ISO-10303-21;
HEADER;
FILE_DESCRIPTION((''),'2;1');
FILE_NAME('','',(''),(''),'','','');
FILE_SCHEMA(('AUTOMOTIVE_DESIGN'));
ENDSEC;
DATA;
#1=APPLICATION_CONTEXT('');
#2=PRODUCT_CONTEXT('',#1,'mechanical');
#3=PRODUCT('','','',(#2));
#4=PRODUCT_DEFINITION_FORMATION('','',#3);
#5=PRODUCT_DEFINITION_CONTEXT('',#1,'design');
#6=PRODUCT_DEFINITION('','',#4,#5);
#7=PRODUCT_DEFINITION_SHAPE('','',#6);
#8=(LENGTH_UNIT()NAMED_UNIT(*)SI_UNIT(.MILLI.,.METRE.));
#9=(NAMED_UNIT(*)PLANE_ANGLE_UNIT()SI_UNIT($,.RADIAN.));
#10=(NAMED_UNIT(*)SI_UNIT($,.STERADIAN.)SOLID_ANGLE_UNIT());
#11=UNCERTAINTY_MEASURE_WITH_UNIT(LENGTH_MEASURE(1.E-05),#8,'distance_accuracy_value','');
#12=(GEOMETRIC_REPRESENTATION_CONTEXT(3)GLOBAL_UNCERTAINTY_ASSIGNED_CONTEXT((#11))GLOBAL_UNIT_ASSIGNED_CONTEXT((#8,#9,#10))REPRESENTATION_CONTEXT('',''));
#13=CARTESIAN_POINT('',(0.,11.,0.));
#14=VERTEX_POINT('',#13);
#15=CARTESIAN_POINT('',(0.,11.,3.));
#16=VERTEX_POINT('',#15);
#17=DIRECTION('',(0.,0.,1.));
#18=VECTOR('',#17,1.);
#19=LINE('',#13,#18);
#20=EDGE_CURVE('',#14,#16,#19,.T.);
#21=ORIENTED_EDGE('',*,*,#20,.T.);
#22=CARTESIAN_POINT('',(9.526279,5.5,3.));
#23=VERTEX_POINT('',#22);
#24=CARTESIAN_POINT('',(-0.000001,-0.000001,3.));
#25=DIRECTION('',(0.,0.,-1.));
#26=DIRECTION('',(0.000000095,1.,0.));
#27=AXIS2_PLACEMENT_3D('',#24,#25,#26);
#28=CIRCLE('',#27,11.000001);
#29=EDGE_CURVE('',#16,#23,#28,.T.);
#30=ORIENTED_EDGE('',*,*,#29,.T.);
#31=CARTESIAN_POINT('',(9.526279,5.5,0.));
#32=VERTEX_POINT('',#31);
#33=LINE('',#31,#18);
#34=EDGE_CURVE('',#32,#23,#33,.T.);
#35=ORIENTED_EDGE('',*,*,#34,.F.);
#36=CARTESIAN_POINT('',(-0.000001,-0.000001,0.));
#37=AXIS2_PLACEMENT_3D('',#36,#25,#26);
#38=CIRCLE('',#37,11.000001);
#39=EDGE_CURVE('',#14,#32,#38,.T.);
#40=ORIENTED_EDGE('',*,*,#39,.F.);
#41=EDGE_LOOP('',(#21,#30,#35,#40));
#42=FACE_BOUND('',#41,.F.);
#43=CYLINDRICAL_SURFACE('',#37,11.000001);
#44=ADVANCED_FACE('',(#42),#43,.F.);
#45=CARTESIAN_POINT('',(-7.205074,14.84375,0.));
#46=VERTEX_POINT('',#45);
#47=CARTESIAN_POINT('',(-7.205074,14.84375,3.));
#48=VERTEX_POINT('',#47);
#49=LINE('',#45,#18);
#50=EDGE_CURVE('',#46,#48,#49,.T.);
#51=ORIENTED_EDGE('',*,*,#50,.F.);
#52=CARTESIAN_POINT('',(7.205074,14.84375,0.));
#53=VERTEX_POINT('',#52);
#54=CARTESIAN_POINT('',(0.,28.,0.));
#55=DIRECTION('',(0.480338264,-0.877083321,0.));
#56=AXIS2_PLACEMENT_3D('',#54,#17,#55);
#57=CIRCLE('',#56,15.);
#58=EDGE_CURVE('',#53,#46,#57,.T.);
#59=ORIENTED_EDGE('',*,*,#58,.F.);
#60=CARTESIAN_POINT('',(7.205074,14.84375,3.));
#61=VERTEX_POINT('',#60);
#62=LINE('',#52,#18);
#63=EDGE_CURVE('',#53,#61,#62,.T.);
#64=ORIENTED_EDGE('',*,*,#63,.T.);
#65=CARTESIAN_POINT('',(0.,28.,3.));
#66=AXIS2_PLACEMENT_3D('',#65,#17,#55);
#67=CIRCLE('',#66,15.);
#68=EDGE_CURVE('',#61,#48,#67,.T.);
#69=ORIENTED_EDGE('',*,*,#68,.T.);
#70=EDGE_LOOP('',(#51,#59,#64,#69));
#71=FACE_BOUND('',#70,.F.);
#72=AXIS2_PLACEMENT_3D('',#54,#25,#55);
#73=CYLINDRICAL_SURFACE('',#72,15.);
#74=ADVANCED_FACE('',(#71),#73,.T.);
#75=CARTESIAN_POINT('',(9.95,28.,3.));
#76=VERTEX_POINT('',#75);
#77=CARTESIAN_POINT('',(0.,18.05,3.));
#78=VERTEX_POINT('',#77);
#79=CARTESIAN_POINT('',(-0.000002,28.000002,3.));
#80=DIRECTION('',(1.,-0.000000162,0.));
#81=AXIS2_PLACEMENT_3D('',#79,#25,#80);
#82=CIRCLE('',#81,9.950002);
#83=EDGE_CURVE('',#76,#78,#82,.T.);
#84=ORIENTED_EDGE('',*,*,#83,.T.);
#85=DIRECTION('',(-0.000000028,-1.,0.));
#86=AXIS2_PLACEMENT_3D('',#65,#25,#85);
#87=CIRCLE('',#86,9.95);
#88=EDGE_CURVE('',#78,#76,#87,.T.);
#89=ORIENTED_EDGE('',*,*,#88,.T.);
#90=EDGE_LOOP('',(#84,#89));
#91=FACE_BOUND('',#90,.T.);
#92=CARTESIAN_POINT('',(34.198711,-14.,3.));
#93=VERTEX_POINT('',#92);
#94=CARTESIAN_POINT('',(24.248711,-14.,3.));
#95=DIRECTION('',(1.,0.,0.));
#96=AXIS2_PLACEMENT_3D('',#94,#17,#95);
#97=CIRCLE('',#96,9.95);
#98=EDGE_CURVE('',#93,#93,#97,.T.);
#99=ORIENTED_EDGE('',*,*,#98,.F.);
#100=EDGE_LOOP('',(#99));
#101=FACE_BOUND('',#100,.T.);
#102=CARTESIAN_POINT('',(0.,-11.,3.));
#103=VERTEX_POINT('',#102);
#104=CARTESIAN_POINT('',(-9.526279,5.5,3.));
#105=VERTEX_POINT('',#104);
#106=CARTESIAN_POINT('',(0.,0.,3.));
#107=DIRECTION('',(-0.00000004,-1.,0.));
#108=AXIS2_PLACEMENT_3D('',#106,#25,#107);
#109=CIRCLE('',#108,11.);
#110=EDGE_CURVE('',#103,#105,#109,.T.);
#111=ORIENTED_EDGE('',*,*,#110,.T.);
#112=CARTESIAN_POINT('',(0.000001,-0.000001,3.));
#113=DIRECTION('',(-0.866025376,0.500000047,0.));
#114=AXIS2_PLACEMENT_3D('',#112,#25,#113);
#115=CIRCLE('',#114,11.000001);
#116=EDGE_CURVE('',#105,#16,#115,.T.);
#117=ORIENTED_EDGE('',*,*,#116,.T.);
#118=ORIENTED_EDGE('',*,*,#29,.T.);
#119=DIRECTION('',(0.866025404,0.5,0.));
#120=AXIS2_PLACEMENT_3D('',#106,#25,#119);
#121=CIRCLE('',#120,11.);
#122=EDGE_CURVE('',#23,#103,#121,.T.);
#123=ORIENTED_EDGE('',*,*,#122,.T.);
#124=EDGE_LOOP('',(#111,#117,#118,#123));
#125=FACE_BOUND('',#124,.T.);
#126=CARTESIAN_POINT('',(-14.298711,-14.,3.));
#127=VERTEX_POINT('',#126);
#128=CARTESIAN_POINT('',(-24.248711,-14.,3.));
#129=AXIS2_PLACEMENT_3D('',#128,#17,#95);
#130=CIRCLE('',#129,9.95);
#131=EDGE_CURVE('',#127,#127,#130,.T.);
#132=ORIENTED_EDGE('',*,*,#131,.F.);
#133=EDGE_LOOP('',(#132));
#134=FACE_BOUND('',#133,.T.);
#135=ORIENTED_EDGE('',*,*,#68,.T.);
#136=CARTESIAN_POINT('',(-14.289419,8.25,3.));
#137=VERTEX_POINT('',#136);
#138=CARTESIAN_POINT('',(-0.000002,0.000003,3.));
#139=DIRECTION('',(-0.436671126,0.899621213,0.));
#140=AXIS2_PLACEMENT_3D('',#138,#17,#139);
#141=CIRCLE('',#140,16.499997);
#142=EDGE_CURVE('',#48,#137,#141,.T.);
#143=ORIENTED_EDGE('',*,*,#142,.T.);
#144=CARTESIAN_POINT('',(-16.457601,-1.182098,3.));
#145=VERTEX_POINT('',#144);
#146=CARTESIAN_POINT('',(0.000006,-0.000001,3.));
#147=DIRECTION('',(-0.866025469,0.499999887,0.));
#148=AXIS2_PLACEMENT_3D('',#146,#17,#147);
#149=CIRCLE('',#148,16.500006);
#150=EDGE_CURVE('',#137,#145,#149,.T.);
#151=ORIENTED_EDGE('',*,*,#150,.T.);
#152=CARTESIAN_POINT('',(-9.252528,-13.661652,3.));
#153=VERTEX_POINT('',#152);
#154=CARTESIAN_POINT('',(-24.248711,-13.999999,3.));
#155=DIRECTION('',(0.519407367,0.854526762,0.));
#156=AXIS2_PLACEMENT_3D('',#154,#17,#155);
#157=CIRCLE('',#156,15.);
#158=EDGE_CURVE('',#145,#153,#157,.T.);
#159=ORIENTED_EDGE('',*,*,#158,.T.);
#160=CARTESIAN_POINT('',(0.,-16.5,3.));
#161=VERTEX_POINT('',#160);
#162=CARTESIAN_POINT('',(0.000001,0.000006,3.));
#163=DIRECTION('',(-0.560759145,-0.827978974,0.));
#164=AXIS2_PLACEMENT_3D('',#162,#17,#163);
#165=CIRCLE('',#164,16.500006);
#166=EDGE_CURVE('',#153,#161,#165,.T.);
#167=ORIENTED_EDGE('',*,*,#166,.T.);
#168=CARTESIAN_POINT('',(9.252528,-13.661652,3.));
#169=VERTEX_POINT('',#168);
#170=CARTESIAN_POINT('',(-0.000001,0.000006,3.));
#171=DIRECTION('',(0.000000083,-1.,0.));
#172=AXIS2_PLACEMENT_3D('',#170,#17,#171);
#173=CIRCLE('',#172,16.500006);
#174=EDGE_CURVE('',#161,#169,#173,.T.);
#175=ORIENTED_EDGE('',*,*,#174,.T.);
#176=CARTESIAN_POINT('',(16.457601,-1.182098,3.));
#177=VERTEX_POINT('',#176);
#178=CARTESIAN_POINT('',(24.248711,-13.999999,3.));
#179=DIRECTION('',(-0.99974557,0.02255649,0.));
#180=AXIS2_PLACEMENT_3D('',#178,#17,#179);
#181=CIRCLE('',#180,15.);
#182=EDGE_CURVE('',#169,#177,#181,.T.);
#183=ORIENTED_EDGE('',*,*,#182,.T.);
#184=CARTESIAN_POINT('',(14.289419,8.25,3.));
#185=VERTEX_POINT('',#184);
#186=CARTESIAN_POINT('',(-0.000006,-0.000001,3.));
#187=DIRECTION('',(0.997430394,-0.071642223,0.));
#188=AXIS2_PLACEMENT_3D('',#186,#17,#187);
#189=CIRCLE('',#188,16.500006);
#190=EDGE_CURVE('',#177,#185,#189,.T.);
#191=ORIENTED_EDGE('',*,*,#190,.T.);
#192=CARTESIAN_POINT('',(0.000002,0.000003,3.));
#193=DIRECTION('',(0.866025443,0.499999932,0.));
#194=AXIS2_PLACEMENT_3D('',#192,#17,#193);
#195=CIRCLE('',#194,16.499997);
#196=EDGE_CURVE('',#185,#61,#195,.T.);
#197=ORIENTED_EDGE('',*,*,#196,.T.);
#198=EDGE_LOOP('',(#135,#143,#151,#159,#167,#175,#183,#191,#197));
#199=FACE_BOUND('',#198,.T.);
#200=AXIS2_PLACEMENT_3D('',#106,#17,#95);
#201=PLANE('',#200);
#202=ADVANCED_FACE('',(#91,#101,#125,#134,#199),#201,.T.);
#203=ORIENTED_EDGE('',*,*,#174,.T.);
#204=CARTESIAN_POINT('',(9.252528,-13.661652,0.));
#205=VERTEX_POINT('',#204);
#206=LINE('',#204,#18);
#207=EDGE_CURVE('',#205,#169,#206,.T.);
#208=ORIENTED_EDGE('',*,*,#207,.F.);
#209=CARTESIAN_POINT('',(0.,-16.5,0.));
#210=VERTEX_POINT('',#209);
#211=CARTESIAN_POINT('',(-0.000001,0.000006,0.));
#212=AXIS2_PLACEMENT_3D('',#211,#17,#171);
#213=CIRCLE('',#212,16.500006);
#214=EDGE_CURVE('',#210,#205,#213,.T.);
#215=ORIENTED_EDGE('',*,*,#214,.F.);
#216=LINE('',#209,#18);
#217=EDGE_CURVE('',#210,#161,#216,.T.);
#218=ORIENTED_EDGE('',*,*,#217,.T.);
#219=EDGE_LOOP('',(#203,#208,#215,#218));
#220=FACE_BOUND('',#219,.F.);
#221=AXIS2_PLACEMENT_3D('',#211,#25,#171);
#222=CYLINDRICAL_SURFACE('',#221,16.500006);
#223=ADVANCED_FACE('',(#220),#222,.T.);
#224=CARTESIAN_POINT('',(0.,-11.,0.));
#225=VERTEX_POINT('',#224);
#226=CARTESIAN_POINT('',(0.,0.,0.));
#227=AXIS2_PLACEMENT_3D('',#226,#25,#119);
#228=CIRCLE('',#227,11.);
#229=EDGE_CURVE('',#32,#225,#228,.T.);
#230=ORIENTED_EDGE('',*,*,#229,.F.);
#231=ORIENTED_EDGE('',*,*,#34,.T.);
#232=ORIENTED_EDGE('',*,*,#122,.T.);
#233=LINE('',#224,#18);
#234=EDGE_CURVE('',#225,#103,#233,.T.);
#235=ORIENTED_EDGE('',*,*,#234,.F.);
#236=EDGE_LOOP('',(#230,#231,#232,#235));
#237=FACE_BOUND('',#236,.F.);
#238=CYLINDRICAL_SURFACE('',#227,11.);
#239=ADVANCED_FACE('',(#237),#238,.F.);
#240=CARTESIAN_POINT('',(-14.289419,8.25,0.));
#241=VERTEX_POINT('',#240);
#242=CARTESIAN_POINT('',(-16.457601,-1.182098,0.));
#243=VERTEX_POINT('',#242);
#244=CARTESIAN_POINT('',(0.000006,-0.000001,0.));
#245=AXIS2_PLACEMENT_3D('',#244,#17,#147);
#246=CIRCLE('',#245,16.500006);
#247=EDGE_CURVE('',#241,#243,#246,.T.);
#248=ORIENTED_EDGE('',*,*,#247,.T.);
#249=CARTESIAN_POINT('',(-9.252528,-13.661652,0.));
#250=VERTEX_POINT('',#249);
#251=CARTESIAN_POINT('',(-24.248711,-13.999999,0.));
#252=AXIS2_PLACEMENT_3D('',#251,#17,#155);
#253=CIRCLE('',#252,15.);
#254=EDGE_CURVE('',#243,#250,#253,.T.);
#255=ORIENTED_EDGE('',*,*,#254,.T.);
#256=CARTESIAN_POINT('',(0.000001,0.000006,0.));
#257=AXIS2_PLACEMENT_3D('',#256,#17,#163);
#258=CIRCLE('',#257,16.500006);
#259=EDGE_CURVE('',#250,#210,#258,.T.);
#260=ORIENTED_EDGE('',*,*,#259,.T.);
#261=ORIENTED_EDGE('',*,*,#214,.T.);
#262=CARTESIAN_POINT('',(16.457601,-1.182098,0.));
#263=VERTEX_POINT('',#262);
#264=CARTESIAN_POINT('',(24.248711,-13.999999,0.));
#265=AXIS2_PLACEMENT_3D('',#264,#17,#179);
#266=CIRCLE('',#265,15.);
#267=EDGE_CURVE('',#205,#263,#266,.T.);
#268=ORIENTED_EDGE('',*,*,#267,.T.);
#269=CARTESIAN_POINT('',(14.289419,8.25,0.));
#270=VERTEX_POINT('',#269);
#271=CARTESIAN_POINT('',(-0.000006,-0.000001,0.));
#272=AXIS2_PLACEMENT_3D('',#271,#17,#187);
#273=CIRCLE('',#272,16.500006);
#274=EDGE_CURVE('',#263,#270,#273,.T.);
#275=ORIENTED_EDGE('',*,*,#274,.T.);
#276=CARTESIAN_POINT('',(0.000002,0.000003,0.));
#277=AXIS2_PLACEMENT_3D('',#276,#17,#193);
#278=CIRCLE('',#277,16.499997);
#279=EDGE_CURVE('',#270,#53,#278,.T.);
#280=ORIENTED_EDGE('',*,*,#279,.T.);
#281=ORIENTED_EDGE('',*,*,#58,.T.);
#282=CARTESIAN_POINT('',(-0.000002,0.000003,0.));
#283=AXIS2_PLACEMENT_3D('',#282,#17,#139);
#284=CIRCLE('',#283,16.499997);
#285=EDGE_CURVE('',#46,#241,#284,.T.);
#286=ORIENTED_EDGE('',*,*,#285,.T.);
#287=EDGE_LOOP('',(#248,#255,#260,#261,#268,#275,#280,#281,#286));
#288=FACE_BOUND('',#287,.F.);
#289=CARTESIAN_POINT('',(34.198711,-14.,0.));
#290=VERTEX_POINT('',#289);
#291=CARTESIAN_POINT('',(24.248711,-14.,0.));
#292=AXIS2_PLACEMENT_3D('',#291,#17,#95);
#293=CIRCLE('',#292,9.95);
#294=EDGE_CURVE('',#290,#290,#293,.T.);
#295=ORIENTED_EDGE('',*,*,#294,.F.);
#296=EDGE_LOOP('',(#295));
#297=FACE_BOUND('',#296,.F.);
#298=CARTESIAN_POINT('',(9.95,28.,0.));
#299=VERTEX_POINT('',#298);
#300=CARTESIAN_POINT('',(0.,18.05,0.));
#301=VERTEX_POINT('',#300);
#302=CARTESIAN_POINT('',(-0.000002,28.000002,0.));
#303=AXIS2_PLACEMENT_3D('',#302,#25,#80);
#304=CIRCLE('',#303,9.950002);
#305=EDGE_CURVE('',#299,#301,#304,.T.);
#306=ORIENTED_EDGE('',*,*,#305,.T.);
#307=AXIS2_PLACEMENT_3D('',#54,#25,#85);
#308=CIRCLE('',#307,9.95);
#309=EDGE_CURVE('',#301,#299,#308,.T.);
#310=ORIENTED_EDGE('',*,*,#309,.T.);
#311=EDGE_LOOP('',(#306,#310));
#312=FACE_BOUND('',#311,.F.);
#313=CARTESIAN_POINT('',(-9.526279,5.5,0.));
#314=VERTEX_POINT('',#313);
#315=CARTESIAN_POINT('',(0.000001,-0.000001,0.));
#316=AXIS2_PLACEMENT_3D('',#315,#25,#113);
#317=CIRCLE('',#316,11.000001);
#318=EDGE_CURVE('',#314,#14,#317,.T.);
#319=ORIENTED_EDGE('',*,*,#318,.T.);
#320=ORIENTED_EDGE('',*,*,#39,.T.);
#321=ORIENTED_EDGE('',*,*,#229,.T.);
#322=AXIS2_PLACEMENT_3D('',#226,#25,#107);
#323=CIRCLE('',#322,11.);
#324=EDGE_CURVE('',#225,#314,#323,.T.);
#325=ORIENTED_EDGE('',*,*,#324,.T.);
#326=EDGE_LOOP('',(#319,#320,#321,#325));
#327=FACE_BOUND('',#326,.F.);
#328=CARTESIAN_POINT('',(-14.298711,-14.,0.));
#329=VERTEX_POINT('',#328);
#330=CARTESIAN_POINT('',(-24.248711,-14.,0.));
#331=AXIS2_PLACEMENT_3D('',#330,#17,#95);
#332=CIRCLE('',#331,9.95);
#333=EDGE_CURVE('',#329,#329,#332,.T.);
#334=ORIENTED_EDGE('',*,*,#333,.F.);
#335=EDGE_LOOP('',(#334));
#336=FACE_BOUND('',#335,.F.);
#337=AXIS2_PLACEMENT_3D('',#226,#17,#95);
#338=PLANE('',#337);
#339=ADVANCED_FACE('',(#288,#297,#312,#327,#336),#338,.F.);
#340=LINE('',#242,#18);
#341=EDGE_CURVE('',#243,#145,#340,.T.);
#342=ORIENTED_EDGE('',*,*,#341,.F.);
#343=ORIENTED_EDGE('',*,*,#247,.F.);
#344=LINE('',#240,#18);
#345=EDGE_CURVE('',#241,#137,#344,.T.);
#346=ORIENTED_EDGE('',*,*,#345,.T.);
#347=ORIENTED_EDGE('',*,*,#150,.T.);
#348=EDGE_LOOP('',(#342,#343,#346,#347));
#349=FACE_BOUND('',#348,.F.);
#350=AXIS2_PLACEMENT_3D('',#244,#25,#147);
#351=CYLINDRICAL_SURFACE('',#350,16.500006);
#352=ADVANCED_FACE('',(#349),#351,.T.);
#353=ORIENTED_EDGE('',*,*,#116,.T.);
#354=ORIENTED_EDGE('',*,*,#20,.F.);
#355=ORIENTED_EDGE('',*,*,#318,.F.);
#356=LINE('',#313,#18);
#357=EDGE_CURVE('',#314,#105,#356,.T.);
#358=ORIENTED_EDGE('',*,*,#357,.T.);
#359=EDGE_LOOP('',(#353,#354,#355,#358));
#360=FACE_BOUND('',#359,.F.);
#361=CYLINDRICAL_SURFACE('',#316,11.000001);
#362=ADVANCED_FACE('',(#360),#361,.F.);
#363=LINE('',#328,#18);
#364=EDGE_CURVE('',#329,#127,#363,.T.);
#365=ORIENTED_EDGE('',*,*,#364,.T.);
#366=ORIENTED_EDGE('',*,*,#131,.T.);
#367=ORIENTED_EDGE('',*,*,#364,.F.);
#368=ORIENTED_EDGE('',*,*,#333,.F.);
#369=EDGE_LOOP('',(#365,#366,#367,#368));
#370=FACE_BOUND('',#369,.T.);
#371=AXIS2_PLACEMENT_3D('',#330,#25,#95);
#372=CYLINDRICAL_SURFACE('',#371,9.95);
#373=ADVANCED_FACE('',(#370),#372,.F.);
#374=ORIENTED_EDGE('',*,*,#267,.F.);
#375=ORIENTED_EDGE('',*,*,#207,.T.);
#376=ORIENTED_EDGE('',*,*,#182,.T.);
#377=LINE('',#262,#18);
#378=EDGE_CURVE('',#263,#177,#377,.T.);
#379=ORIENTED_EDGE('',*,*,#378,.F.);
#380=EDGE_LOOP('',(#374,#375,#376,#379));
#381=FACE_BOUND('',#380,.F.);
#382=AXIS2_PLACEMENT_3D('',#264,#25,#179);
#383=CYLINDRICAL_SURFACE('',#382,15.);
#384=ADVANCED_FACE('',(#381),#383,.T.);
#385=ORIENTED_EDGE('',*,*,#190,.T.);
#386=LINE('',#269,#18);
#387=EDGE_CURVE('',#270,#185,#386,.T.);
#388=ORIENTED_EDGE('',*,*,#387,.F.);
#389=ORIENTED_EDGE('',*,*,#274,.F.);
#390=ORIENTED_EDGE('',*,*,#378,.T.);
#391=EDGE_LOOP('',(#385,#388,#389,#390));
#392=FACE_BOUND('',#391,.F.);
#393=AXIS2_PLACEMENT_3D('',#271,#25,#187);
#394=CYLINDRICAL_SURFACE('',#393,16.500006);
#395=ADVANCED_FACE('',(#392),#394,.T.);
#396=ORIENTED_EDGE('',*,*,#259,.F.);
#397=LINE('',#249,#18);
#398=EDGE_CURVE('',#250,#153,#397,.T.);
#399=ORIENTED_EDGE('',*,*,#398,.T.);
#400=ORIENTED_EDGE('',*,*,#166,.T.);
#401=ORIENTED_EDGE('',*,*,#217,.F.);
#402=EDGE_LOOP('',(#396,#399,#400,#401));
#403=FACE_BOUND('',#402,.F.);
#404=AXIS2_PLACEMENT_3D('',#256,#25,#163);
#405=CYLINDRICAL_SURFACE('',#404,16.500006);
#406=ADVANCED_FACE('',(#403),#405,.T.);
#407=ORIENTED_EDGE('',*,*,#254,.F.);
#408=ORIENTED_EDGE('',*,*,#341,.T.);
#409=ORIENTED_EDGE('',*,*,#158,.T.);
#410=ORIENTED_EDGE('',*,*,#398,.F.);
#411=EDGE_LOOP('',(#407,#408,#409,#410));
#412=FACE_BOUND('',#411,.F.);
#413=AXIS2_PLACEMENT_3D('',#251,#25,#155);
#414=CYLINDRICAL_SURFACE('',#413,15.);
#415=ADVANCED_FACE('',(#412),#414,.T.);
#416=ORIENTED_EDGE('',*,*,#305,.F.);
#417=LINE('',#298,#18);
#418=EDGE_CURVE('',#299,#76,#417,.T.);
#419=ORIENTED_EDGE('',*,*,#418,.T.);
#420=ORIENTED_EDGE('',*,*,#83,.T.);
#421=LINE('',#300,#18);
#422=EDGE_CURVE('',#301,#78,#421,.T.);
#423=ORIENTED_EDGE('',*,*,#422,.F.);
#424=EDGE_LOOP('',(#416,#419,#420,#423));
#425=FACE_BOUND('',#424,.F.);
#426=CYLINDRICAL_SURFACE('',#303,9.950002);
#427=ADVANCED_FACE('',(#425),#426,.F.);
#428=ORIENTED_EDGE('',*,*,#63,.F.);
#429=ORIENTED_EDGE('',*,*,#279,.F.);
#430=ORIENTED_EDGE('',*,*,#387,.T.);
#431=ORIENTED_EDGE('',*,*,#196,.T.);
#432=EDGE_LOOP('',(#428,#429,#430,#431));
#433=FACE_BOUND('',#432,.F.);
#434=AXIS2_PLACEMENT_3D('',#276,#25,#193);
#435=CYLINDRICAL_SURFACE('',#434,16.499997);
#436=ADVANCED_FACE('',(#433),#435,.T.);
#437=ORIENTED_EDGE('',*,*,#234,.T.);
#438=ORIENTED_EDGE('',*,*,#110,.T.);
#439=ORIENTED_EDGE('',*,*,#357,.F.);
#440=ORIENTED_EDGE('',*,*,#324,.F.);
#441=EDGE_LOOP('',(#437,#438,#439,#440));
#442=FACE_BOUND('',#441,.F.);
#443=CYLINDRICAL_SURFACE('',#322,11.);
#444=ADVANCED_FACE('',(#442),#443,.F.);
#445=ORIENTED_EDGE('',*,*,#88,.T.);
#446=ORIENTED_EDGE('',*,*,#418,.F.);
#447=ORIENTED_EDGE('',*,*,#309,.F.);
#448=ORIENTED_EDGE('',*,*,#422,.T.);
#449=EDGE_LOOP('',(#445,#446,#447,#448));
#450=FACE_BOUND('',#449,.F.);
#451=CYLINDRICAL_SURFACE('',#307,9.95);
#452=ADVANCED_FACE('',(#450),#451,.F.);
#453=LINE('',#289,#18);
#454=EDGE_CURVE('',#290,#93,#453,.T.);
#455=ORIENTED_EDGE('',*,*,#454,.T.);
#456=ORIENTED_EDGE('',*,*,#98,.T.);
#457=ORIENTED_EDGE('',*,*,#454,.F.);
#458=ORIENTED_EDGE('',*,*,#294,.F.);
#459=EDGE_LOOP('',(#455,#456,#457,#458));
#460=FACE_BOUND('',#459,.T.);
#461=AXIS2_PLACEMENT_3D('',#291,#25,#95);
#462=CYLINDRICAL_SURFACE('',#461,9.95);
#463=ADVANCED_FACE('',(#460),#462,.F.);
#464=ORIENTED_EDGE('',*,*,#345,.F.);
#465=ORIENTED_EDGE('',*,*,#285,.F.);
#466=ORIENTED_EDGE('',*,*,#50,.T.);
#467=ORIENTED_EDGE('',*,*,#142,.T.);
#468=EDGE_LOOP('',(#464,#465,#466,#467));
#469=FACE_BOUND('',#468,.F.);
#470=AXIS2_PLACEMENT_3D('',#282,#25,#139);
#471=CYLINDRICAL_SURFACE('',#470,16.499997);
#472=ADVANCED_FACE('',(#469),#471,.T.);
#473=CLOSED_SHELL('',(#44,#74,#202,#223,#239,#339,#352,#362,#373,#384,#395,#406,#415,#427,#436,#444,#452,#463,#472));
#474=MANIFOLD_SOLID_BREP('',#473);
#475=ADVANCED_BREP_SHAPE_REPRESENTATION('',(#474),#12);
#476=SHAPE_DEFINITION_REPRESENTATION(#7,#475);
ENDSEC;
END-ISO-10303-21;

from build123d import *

# Parameters (mm, degrees)
F0_R     = 9.95
F1_DEPTH = 3


with BuildPart() as f1:
    # F0 (on Top) → F1 (new body)
    with BuildSketch(Plane.XY):
        with BuildLine():
            ThreePointArc((14.289419, 8.25), (11.241561, 12.077968), (7.205074, 14.84375))
            ThreePointArc((7.205074, 14.84375), (0, 43), (-7.205074, 14.84375))
            ThreePointArc((-7.205074, 14.84375), (-11.241561, 12.077968), (-14.289419, 8.25))
            ThreePointArc((-14.289419, 8.25), (-16.080607, 3.696493), (-16.457601, -1.182098))
            ThreePointArc((-16.457601, -1.182098), (-37.239092, -21.5), (-9.252528, -13.661652))
            ThreePointArc((-9.252528, -13.661652), (-4.839047, -15.774461), (0, -16.5))
            ThreePointArc((0, -16.5), (4.839047, -15.774461), (9.252528, -13.661652))
            ThreePointArc((9.252528, -13.661652), (37.239092, -21.5), (16.457601, -1.182098))
            ThreePointArc((16.457601, -1.182098), (16.080607, 3.696493), (14.289419, 8.25))
        make_face()
        with Locations((-24.248711, -14)):
            Circle(F0_R, mode=Mode.SUBTRACT)
        with Locations((24.248711, -14)):
            Circle(F0_R, mode=Mode.SUBTRACT)
        with BuildLine():
            ThreePointArc((0, 11), (5.5, 9.526279), (9.526279, 5.5))
            ThreePointArc((9.526279, 5.5), (9.526279, -5.5), (0, -11))
            ThreePointArc((0, -11), (-9.526279, -5.5), (-9.526279, 5.5))
            ThreePointArc((-9.526279, 5.5), (-5.5, 9.526279), (0, 11))
        make_face(mode=Mode.SUBTRACT)
        with BuildLine():
            ThreePointArc((9.95, 28), (7.035712, 20.964288), (0, 18.05))
            ThreePointArc((0, 18.05), (-7.035712, 35.035712), (9.95, 28))
        make_face(mode=Mode.SUBTRACT)
    extrude(amount=F1_DEPTH)


solid = f1.part
